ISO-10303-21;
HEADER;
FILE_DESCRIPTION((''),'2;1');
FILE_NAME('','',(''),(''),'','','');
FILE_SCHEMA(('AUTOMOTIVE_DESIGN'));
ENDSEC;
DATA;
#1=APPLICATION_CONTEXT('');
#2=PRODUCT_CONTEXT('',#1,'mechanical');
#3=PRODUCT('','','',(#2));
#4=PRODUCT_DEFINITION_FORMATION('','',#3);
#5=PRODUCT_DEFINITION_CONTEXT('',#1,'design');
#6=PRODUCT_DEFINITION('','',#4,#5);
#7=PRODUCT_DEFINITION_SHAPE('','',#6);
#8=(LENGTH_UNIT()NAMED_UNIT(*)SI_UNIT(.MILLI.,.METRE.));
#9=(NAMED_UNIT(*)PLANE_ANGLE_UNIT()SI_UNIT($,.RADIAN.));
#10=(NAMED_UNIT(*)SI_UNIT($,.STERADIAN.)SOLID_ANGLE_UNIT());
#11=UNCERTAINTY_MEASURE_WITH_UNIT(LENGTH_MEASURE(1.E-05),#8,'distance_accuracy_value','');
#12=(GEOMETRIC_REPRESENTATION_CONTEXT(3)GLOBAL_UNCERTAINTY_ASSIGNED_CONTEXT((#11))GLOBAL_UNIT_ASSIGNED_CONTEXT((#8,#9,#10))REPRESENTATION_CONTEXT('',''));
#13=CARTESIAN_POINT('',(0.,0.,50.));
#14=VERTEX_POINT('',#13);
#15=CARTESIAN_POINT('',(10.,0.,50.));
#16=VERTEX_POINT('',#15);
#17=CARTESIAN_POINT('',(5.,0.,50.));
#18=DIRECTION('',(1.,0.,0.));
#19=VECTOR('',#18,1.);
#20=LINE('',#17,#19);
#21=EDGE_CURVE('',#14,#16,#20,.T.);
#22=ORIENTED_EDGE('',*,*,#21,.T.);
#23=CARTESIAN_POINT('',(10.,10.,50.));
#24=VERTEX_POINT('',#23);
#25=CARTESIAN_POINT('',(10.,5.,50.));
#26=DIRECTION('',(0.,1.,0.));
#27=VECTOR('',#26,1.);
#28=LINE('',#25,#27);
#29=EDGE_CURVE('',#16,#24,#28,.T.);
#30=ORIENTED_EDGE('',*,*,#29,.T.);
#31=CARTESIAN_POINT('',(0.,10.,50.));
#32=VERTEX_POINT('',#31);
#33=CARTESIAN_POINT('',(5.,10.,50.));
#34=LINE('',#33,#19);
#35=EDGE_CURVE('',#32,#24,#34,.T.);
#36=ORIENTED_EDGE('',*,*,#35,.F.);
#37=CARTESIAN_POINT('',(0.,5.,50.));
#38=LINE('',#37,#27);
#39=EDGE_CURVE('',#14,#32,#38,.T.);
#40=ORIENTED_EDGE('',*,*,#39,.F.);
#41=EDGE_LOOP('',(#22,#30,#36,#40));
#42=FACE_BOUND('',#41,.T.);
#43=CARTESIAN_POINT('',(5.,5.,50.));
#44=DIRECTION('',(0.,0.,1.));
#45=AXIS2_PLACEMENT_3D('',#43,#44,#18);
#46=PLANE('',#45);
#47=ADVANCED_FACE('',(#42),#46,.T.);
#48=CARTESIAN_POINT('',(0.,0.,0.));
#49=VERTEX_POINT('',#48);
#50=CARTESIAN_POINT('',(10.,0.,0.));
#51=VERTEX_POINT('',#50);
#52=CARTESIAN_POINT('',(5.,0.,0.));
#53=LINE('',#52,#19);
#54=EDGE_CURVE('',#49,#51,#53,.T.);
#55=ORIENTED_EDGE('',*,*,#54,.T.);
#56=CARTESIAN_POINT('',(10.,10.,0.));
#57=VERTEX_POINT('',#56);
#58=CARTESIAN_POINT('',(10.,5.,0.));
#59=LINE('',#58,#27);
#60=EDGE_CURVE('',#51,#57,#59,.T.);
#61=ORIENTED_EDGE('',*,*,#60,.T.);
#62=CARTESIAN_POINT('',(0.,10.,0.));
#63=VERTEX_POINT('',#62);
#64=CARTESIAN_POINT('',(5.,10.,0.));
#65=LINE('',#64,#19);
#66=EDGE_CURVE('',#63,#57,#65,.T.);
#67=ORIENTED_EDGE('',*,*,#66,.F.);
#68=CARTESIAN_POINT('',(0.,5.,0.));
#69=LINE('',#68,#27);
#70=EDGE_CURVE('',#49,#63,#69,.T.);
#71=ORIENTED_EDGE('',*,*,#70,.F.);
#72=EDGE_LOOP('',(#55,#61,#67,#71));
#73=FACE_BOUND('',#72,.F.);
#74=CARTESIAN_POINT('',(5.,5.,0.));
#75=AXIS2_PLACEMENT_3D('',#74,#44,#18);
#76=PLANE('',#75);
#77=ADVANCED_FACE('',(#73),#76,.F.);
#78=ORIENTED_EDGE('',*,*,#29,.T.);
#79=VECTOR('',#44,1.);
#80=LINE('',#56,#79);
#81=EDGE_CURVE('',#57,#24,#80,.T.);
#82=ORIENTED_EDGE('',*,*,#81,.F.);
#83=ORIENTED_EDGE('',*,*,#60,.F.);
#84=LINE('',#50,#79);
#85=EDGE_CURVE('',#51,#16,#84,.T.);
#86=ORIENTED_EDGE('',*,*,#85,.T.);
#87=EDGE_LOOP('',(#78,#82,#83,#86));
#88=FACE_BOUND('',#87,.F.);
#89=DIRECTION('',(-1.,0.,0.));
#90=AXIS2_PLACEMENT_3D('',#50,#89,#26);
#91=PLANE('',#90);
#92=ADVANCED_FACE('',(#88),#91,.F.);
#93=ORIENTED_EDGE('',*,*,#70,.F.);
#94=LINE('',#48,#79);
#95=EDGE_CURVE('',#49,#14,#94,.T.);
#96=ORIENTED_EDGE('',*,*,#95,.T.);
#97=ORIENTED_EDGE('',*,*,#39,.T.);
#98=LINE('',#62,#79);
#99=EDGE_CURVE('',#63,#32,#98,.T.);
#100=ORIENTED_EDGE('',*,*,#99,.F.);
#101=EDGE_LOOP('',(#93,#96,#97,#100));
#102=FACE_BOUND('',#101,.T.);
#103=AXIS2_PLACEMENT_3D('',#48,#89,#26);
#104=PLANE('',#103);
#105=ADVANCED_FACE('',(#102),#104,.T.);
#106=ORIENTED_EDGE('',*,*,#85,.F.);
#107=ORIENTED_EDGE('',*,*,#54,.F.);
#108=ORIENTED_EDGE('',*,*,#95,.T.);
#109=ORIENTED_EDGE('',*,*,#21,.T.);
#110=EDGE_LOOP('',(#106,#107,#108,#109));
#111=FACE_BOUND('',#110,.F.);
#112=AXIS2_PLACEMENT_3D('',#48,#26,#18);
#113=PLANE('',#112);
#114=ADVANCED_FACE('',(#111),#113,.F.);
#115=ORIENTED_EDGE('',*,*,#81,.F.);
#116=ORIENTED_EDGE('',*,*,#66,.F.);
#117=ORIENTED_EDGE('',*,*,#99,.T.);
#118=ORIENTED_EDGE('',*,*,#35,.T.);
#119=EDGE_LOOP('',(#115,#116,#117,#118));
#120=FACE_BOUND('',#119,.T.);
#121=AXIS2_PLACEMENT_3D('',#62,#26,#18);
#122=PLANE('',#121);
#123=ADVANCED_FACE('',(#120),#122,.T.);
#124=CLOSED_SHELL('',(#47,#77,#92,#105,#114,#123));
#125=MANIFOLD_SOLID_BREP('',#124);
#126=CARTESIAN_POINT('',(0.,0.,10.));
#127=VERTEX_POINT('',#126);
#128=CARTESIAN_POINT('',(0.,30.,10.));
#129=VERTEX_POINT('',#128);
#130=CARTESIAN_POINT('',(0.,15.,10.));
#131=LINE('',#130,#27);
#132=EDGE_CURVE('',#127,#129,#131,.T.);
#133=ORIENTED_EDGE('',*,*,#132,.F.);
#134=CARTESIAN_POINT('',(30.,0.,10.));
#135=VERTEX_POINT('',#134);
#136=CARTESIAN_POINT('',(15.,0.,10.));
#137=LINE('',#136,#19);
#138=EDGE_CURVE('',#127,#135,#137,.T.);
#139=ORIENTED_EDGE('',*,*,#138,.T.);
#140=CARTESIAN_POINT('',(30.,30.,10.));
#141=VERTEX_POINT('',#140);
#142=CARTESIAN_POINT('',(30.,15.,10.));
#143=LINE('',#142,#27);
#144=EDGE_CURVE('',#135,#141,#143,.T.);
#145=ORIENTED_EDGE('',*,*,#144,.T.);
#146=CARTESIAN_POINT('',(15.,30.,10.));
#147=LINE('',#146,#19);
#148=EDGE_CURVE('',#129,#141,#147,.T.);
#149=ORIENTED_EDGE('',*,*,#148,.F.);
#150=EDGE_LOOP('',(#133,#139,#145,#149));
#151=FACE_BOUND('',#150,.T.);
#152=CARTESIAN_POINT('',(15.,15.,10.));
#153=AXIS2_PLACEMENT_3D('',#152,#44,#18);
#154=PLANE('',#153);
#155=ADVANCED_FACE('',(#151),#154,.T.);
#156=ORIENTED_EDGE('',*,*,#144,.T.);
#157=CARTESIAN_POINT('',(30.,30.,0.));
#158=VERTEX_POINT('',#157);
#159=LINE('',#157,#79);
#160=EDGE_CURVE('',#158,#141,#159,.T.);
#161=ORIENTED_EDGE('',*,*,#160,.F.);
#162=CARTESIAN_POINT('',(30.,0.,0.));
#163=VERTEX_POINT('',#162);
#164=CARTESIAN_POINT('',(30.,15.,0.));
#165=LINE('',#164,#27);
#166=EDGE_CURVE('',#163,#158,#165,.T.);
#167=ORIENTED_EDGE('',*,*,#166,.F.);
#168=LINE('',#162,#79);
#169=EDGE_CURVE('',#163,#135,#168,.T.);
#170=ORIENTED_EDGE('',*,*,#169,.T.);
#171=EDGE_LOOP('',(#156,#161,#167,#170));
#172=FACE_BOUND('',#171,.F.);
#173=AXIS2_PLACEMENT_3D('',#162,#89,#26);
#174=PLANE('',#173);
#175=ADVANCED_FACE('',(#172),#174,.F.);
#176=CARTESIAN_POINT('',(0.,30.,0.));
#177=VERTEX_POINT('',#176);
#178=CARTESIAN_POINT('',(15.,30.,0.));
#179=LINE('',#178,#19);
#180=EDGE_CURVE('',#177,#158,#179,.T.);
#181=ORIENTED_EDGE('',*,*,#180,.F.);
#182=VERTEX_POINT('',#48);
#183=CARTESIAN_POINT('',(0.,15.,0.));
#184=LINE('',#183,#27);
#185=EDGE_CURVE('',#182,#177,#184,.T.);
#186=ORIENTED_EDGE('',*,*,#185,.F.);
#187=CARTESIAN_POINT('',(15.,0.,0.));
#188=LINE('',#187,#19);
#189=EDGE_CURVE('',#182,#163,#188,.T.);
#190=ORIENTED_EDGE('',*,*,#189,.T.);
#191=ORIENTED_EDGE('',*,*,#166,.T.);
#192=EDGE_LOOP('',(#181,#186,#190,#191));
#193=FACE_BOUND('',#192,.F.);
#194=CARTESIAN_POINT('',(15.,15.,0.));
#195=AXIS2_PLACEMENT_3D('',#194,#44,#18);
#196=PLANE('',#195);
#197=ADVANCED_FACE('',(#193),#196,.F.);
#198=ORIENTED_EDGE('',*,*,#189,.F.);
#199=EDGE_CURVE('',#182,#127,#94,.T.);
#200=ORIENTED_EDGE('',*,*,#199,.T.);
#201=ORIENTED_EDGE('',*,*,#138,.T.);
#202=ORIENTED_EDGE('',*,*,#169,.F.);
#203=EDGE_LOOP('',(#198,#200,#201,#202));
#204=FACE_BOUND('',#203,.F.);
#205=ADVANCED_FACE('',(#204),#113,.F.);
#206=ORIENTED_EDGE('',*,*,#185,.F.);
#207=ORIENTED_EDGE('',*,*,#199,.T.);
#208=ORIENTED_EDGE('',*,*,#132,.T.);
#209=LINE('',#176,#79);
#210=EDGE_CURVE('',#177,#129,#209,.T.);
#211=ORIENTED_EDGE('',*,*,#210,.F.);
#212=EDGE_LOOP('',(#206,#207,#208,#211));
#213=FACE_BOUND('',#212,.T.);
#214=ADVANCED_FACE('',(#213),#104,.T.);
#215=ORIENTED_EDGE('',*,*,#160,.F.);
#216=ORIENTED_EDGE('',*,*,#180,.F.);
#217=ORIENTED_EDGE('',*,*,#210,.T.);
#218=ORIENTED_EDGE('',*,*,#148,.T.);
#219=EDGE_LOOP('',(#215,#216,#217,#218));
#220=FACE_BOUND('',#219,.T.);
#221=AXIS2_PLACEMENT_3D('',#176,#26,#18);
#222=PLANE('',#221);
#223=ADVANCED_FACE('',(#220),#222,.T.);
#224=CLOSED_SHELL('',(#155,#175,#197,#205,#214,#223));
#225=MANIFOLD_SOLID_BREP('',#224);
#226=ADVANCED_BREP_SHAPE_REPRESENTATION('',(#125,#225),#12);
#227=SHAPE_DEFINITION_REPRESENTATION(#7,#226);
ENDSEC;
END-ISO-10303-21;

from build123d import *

# Parameters (mm, degrees)
BOX_W        = 10
BOX_H        = 10
BOX_DEPTH    = 50
BOX001_W     = 30
BOX001_H     = 30
BOX001_DEPTH = 10


with BuildPart() as cube:
    # Box → Box (new body)
    with BuildSketch(Plane.XY):
        with Locations((5, 5)):
            Rectangle(BOX_W, BOX_H)
    extrude(amount=BOX_DEPTH)


with BuildPart() as cube2:
    # Box001 → Box001 (new body)
    with BuildSketch(Plane.XY):
        with Locations((15, 15)):
            Rectangle(BOX001_W, BOX001_H)
    extrude(amount=BOX001_DEPTH)


solid = Compound([cube.part, cube2.part])
